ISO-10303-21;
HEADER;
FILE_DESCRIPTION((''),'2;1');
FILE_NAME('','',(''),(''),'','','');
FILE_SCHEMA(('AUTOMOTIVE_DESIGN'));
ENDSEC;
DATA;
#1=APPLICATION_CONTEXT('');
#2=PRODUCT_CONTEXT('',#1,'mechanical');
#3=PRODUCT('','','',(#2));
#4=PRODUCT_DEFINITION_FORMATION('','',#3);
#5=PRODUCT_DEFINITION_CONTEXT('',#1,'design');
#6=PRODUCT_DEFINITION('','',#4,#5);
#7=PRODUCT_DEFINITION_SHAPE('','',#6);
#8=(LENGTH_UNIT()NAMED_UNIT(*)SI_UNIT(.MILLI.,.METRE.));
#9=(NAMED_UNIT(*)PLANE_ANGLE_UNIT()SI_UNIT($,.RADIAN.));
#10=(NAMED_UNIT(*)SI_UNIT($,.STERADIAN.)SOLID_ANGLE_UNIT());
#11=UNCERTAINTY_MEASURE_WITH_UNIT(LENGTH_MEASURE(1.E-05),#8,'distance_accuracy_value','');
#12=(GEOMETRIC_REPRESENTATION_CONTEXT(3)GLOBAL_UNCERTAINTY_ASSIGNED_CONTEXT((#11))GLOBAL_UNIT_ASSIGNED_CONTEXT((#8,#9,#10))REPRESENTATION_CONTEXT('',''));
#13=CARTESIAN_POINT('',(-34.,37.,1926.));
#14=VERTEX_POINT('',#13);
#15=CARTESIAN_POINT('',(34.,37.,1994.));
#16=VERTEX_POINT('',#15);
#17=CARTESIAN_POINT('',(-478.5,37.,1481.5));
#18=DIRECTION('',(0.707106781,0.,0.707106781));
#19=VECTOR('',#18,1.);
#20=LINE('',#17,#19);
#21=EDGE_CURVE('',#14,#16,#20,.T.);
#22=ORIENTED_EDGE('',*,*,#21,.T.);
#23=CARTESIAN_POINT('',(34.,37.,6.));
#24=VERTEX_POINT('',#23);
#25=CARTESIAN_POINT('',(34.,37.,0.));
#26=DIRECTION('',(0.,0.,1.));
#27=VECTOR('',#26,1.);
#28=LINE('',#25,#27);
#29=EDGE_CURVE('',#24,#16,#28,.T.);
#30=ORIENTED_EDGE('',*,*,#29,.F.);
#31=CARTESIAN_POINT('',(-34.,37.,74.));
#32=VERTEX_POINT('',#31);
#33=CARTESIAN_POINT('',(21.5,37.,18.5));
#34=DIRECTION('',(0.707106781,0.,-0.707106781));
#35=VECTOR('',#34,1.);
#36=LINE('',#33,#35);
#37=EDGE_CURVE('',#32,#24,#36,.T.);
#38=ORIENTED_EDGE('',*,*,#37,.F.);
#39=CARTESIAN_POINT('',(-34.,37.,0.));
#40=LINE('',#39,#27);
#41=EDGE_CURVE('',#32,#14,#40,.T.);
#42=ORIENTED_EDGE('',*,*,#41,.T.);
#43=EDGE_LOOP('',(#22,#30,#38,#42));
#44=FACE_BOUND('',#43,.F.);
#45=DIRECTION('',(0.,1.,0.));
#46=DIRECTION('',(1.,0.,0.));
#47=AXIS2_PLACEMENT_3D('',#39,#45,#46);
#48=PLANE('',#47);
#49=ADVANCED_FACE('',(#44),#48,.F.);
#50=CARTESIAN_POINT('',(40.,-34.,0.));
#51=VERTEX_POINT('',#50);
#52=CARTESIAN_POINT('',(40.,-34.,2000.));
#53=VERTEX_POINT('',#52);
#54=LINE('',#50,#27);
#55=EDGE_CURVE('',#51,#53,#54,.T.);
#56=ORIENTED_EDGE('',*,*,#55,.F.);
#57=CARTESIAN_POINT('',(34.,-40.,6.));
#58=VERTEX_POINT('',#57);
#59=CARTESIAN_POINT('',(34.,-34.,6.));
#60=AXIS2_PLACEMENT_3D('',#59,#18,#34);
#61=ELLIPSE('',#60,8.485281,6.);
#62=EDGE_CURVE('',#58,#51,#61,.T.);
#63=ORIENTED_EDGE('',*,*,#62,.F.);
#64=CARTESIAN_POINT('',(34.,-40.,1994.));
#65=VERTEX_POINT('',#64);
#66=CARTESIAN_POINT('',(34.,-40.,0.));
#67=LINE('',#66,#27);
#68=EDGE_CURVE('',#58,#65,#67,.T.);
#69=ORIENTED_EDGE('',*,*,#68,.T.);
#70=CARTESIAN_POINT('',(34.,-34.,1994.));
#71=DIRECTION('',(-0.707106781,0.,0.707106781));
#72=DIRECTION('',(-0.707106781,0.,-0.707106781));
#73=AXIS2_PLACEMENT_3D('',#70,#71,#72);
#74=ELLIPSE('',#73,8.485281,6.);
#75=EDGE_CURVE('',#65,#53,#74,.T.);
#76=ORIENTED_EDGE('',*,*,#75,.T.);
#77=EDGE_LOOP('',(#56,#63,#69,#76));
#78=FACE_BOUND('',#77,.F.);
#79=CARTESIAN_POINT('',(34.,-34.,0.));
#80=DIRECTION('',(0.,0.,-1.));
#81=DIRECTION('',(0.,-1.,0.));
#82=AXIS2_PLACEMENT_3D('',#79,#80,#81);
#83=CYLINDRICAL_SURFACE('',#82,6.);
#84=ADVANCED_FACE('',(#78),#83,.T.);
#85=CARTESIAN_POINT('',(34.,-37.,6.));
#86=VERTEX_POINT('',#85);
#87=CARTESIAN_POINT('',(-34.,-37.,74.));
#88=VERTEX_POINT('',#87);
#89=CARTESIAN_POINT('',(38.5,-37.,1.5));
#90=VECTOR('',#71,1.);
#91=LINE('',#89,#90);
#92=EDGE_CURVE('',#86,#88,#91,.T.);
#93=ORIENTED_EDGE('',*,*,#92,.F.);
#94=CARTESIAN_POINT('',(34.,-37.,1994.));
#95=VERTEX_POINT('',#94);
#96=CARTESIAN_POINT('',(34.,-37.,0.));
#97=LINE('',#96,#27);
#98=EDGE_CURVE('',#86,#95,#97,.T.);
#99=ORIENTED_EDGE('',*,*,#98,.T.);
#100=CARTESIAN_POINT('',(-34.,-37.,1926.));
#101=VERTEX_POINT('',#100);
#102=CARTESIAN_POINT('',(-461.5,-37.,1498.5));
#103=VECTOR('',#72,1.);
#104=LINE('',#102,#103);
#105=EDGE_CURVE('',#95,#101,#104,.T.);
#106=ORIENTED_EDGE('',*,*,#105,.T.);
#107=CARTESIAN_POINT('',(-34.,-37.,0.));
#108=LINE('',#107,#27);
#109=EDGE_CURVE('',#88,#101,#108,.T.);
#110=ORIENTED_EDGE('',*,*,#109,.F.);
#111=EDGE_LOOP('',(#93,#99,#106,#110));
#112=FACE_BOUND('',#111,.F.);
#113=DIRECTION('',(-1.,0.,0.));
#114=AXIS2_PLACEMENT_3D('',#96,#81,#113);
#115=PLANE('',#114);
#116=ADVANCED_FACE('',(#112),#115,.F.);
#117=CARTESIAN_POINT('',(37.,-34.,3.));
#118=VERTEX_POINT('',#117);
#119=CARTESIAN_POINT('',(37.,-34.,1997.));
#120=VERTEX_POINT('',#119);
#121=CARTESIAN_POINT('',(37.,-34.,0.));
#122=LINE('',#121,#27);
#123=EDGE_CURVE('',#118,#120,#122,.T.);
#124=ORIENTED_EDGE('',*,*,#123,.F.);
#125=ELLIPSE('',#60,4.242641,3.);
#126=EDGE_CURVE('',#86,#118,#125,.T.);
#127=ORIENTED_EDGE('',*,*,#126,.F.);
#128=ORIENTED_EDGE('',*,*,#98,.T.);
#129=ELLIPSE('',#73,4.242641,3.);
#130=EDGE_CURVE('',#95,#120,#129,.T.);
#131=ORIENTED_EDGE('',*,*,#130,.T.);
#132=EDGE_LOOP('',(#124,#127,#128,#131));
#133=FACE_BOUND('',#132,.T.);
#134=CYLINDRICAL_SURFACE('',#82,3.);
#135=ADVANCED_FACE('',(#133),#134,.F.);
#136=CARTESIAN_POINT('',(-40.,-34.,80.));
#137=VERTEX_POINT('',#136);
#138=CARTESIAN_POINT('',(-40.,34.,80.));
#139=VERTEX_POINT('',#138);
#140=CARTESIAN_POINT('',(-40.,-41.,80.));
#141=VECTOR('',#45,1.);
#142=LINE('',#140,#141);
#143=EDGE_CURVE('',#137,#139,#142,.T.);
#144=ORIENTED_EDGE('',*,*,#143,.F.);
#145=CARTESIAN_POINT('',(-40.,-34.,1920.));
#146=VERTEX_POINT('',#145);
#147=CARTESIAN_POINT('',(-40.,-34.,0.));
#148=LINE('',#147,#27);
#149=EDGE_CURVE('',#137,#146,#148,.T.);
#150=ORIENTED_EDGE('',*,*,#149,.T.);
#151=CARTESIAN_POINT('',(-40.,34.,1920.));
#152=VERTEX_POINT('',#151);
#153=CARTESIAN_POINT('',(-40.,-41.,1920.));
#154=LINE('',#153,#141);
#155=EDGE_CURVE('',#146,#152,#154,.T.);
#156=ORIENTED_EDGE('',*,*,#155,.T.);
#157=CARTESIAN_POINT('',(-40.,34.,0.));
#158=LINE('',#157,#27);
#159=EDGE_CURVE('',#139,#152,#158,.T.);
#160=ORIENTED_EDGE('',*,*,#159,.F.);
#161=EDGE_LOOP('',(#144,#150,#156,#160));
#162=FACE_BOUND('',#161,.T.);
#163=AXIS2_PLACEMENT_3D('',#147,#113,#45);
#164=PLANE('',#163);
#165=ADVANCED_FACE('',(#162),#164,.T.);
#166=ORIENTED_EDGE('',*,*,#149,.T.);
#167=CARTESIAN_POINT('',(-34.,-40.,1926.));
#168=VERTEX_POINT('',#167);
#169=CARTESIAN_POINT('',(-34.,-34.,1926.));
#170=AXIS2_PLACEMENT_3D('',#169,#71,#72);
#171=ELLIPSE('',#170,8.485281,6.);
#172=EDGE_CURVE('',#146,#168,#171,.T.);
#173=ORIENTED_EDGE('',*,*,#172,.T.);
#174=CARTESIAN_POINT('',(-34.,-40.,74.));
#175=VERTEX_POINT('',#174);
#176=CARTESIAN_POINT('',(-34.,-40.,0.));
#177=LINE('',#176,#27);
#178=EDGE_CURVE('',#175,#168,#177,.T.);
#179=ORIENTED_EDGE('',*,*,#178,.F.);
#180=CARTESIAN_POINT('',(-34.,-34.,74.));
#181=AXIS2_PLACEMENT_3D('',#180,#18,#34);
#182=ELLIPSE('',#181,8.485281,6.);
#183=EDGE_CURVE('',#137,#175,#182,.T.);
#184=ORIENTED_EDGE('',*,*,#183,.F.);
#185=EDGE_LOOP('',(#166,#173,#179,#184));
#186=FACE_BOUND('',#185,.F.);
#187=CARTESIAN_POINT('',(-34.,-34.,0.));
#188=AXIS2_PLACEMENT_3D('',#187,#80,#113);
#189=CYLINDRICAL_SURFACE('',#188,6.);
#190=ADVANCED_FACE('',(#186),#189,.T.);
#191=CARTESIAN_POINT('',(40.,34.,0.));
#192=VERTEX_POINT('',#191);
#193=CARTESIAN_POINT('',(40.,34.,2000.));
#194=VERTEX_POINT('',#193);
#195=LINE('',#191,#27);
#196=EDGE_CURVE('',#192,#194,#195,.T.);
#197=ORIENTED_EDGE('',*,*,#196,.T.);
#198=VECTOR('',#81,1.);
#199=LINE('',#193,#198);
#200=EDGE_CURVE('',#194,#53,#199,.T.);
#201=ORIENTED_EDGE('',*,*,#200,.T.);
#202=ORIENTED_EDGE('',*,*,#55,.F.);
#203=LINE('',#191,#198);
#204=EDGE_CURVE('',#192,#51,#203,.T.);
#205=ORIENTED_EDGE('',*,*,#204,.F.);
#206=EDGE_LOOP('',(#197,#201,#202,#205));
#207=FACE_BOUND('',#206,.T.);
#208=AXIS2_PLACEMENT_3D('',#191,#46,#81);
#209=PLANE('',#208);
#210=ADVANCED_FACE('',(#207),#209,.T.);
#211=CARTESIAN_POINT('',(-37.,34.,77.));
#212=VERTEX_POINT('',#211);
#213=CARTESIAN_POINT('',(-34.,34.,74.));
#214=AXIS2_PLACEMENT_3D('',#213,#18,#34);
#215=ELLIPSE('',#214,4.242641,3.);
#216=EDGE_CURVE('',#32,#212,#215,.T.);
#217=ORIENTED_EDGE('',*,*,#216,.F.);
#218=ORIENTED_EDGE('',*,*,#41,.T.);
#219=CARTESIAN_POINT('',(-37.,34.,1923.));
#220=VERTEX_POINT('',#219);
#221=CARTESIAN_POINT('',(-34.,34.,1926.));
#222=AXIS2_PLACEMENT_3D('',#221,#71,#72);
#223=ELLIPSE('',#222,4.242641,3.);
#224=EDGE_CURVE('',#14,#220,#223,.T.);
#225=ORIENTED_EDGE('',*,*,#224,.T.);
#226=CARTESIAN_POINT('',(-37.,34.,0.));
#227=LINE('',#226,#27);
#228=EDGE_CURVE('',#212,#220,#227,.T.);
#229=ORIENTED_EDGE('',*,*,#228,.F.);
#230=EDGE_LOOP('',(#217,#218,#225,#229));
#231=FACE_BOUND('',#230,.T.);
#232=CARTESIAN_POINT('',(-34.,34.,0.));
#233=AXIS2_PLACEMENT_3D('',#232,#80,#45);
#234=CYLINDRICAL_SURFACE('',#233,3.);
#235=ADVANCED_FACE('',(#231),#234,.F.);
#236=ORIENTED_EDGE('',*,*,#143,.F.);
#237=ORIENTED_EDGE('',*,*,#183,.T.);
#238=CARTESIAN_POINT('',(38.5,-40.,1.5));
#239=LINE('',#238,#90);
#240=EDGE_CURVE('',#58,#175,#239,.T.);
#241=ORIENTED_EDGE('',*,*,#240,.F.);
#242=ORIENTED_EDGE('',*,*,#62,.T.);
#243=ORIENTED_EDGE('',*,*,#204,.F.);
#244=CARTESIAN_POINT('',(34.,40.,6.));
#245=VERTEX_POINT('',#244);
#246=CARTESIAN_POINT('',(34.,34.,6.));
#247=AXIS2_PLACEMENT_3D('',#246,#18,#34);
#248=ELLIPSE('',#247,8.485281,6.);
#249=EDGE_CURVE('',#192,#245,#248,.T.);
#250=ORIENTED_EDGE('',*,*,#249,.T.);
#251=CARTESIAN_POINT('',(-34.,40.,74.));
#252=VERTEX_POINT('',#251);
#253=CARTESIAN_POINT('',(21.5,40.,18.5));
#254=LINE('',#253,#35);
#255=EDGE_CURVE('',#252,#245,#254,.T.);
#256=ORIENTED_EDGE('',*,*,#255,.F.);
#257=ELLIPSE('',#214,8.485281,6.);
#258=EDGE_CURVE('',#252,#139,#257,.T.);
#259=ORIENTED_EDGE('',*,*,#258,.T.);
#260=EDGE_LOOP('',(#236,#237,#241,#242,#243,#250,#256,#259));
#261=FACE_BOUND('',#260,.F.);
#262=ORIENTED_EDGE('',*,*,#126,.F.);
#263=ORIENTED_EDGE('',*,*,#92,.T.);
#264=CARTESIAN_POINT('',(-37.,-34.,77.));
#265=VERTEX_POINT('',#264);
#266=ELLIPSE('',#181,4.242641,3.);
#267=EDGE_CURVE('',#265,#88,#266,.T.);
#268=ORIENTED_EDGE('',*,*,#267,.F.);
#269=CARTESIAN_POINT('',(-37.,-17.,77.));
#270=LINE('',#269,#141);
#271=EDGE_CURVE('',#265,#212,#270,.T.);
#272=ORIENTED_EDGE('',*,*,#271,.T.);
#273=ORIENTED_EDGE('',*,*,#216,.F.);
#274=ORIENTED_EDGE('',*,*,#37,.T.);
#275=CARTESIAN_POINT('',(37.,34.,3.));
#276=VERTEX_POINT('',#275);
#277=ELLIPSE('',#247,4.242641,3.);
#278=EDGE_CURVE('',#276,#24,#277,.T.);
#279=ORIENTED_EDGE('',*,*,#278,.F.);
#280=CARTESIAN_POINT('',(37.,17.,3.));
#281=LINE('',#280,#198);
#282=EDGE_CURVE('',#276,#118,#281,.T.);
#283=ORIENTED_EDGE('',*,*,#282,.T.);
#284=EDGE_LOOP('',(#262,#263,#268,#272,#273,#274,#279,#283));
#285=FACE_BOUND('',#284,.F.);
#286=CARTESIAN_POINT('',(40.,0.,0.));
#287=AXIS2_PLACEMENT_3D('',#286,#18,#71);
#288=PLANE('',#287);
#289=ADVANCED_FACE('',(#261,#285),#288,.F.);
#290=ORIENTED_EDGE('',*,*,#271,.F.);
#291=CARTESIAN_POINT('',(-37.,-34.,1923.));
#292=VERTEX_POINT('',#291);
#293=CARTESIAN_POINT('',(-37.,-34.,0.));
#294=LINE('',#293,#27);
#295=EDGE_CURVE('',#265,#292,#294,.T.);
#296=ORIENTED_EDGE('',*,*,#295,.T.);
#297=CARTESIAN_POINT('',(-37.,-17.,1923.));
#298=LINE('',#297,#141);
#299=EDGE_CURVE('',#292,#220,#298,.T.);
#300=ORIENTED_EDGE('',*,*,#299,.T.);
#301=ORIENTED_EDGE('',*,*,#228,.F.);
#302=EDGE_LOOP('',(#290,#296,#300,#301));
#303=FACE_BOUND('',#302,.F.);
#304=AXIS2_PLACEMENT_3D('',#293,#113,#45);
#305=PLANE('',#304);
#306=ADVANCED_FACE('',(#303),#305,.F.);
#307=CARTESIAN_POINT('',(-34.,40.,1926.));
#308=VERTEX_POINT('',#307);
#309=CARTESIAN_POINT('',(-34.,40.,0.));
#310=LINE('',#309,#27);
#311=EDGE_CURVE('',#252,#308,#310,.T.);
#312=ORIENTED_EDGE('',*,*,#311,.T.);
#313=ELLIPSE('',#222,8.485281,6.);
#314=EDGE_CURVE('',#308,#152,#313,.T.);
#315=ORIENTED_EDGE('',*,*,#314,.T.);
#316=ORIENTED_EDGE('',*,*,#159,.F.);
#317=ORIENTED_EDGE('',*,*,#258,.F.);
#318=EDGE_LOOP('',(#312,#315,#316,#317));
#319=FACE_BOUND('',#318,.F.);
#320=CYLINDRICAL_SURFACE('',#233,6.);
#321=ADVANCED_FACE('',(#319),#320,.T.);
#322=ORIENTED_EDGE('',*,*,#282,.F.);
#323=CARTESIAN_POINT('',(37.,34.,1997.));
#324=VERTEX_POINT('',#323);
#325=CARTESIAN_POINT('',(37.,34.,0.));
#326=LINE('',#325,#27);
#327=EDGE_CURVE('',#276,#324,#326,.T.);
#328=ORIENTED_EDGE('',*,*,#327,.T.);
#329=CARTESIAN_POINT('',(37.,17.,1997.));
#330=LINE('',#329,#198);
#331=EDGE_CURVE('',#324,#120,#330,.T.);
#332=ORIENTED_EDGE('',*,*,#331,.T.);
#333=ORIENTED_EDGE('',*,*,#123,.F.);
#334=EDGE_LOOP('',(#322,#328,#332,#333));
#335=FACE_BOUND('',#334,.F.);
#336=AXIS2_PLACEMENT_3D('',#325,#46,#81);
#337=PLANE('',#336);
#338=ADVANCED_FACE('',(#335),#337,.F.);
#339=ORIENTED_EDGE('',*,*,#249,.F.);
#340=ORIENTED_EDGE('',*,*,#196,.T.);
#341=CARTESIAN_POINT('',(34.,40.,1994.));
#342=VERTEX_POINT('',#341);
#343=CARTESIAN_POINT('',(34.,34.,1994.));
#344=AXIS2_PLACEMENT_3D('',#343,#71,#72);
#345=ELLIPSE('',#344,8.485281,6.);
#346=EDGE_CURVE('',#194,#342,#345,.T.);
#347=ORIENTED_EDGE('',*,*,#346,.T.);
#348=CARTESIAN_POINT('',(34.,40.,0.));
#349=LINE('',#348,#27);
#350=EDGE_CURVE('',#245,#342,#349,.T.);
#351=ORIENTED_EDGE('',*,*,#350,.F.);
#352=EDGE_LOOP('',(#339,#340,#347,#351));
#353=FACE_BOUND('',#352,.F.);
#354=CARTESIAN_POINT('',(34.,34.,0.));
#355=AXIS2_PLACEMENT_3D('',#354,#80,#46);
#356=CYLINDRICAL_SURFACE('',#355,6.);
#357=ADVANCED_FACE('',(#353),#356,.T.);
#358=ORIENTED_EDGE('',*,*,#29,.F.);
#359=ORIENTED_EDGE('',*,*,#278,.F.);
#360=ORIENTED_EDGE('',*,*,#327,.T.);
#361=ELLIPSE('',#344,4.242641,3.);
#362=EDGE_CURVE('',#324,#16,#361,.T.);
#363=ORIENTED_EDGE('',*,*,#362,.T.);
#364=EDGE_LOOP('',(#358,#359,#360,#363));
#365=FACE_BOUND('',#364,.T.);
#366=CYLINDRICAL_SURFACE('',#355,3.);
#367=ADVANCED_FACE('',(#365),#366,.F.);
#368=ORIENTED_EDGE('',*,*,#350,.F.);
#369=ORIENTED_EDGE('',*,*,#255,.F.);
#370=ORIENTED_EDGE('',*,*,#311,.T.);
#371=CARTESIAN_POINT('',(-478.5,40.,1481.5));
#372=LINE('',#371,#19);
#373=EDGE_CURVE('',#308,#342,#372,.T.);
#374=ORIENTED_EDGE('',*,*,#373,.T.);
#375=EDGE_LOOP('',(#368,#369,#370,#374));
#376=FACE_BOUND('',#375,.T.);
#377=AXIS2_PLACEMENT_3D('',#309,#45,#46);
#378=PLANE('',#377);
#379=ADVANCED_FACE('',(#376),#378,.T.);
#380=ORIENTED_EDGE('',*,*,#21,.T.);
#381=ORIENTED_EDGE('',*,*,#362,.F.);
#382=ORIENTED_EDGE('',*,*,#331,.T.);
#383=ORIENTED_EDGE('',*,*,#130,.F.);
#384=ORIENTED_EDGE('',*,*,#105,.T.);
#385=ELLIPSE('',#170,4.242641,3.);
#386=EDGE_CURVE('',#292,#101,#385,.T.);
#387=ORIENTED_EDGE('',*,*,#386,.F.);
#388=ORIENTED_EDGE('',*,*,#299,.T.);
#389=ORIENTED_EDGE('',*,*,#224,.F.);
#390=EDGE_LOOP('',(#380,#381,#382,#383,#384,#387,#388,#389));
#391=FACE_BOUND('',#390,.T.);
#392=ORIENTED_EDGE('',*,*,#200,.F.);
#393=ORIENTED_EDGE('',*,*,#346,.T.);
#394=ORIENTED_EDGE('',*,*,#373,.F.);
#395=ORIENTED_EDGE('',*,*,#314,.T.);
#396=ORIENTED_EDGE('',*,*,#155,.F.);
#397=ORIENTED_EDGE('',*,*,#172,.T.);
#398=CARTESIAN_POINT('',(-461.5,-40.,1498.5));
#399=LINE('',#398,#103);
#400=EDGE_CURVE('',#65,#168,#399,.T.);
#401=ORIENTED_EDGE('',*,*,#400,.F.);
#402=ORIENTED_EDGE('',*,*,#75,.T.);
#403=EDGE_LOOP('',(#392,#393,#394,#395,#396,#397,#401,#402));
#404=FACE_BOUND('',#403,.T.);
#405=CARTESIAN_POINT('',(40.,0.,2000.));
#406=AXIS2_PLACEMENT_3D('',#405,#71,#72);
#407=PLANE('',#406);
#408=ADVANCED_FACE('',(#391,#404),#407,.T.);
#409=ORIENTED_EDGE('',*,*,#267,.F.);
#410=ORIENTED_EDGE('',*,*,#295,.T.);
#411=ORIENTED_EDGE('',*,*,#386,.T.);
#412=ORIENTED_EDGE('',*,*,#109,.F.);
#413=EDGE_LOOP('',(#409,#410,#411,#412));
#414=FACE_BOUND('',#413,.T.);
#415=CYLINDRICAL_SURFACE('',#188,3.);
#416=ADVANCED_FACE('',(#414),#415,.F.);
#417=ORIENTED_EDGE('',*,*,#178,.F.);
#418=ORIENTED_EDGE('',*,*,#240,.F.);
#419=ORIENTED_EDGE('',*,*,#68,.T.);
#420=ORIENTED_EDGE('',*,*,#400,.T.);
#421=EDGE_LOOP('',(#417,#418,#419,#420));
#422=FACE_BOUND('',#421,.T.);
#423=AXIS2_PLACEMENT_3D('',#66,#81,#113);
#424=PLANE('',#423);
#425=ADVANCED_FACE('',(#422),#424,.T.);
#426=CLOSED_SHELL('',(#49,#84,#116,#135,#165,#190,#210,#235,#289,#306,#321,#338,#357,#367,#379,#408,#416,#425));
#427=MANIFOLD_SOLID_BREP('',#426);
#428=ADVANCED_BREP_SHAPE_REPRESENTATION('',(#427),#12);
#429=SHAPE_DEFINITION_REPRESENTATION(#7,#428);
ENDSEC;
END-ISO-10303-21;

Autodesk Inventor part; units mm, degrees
ref_plane "YZ Plane" through (0, 0, 0) normal (1, 0, 0) x (0, 1, 0)
ref_plane "Start Plane" through (0, 0, 0) normal (0, 0, 1) x (1, 0, 0)
ref_plane "End Plane" through (0, 0, 2000) normal (0, 0, 1) x (1, 0, 0)
sketch "Sketch" plane through (0, 0, 0) normal (0, 0, 1) x (1, 0, 0)
  line L0 (-40, -34) -> (-40, 34)
  line L1 (-34, 40) -> (34, 40)
  line L2 (40, 34) -> (40, -34)
  line L3 (34, -40) -> (-34, -40)
  arc A0 (-40, -34) -> (-34, -40) centre (-34, -34) ccw
  arc A1 (40, 34) -> (34, 40) centre (34, 34) ccw
  arc A2 (-34, 40) -> (-40, 34) centre (-34, 34) ccw
  arc A3 (34, -40) -> (40, -34) centre (34, -34) ccw
  arc A4 (-34, 37) -> (-37, 34) centre (-34, 34) ccw
  line L4 (-34, 37) -> (34, 37)
  arc A5 (37, 34) -> (34, 37) centre (34, 34) ccw
  line L5 (37, 34) -> (37, -34)
  arc A6 (34, -37) -> (37, -34) centre (34, -34) ccw
  line L6 (34, -37) -> (-34, -37)
  arc A7 (-37, -34) -> (-34, -37) centre (-34, -34) ccw
  line L7 (-37, -34) -> (-37, 34)
  line L8 (0, 57.7397) -> (0, -57.7397) construction
  line L9 (-57.7397, 0) -> (57.7397, 0) construction
  dimension "d7" = 6
  dimension "d9" = 80
  dimension "d11" = 80
  dimension "d12" = 3
  dimension "d15" = 40
  dimension "d16" = 40
extrude "Body" add sketch "Sketch" along normal up to surface (2000 mm away) from surface at 0
sketch "Sketch3" plane through (0, 0, 0) normal (0, 0, 1) x (1, 0, 0)
  line L0 (0, 0) -> (10, 0)
ref_plane "Work Plane3" through (0, 0, 0) normal (0, -1, 0) x (1, 0, 0)
sketch "Sketch5" plane through (0, 0, 0) normal (0, 1, 0) x (-1, 0, 0)
  line L0 (40, 0) -> (40, 2000) projected
  line L1 (34, 0) -> (40, 0) projected
  line L2 (34, 0) -> (-34, 0) projected
  line L3 (-40, 0) -> (-34, 0) projected
  line L4 (-40, 0) -> (-40, 2000) projected
  line L5 (-40, 2000) -> (-34, 2000) projected
  line L6 (34, 2000) -> (-34, 2000) projected
  line L7 (34, 2000) -> (40, 2000) projected
  line L8 (-40, 0) -> (40, 80)
  line L9 (-40, 2000) -> (40, 1920)
  point P0 (0, 0)
  dimension "d19" = 45
  dimension "d20" = 45
extrude "Extrusion2" cut sketch "Sketch5" along normal through all both and the other way through all contours L1 L2 L3 L8 L0 | L9 L5 L6 L7 L0
sketch "Sketch4" plane through (0, 0, 0) normal (0, -1, 0) x (1, 0, 0)
  line L0 (-2, 0) -> (12, 0) projected
  line L1 (-2, 2000) -> (12, 2000) projected
  dimension "d18" = 2000
equation "\"d7\" = G_IR"
equation "\"d9\" = G_W"
equation "\"d11\" = G_H"
equation "\"d12\" = G_T"
equation "\"d15\" = 0.5 * d9"
equation "\"d16\" = 0.5 * d11"
equation "\"d3\" = G_L"
equation "\"d20\" = d19"
equation "\"G_W\" = 80"
equation "\"G_H\" = 80"
equation "\"G_T\" = 3"
equation "\"G_IR\" = 6"
equation "\"G_L\" = d18"
equation "\"G_OFFSET_START\" = 0"
equation "\"G_OFFSET_END\" = 0"
properties part number "ISO 4019 - 80x80x3 - 2000" material "Steel, Mild"
